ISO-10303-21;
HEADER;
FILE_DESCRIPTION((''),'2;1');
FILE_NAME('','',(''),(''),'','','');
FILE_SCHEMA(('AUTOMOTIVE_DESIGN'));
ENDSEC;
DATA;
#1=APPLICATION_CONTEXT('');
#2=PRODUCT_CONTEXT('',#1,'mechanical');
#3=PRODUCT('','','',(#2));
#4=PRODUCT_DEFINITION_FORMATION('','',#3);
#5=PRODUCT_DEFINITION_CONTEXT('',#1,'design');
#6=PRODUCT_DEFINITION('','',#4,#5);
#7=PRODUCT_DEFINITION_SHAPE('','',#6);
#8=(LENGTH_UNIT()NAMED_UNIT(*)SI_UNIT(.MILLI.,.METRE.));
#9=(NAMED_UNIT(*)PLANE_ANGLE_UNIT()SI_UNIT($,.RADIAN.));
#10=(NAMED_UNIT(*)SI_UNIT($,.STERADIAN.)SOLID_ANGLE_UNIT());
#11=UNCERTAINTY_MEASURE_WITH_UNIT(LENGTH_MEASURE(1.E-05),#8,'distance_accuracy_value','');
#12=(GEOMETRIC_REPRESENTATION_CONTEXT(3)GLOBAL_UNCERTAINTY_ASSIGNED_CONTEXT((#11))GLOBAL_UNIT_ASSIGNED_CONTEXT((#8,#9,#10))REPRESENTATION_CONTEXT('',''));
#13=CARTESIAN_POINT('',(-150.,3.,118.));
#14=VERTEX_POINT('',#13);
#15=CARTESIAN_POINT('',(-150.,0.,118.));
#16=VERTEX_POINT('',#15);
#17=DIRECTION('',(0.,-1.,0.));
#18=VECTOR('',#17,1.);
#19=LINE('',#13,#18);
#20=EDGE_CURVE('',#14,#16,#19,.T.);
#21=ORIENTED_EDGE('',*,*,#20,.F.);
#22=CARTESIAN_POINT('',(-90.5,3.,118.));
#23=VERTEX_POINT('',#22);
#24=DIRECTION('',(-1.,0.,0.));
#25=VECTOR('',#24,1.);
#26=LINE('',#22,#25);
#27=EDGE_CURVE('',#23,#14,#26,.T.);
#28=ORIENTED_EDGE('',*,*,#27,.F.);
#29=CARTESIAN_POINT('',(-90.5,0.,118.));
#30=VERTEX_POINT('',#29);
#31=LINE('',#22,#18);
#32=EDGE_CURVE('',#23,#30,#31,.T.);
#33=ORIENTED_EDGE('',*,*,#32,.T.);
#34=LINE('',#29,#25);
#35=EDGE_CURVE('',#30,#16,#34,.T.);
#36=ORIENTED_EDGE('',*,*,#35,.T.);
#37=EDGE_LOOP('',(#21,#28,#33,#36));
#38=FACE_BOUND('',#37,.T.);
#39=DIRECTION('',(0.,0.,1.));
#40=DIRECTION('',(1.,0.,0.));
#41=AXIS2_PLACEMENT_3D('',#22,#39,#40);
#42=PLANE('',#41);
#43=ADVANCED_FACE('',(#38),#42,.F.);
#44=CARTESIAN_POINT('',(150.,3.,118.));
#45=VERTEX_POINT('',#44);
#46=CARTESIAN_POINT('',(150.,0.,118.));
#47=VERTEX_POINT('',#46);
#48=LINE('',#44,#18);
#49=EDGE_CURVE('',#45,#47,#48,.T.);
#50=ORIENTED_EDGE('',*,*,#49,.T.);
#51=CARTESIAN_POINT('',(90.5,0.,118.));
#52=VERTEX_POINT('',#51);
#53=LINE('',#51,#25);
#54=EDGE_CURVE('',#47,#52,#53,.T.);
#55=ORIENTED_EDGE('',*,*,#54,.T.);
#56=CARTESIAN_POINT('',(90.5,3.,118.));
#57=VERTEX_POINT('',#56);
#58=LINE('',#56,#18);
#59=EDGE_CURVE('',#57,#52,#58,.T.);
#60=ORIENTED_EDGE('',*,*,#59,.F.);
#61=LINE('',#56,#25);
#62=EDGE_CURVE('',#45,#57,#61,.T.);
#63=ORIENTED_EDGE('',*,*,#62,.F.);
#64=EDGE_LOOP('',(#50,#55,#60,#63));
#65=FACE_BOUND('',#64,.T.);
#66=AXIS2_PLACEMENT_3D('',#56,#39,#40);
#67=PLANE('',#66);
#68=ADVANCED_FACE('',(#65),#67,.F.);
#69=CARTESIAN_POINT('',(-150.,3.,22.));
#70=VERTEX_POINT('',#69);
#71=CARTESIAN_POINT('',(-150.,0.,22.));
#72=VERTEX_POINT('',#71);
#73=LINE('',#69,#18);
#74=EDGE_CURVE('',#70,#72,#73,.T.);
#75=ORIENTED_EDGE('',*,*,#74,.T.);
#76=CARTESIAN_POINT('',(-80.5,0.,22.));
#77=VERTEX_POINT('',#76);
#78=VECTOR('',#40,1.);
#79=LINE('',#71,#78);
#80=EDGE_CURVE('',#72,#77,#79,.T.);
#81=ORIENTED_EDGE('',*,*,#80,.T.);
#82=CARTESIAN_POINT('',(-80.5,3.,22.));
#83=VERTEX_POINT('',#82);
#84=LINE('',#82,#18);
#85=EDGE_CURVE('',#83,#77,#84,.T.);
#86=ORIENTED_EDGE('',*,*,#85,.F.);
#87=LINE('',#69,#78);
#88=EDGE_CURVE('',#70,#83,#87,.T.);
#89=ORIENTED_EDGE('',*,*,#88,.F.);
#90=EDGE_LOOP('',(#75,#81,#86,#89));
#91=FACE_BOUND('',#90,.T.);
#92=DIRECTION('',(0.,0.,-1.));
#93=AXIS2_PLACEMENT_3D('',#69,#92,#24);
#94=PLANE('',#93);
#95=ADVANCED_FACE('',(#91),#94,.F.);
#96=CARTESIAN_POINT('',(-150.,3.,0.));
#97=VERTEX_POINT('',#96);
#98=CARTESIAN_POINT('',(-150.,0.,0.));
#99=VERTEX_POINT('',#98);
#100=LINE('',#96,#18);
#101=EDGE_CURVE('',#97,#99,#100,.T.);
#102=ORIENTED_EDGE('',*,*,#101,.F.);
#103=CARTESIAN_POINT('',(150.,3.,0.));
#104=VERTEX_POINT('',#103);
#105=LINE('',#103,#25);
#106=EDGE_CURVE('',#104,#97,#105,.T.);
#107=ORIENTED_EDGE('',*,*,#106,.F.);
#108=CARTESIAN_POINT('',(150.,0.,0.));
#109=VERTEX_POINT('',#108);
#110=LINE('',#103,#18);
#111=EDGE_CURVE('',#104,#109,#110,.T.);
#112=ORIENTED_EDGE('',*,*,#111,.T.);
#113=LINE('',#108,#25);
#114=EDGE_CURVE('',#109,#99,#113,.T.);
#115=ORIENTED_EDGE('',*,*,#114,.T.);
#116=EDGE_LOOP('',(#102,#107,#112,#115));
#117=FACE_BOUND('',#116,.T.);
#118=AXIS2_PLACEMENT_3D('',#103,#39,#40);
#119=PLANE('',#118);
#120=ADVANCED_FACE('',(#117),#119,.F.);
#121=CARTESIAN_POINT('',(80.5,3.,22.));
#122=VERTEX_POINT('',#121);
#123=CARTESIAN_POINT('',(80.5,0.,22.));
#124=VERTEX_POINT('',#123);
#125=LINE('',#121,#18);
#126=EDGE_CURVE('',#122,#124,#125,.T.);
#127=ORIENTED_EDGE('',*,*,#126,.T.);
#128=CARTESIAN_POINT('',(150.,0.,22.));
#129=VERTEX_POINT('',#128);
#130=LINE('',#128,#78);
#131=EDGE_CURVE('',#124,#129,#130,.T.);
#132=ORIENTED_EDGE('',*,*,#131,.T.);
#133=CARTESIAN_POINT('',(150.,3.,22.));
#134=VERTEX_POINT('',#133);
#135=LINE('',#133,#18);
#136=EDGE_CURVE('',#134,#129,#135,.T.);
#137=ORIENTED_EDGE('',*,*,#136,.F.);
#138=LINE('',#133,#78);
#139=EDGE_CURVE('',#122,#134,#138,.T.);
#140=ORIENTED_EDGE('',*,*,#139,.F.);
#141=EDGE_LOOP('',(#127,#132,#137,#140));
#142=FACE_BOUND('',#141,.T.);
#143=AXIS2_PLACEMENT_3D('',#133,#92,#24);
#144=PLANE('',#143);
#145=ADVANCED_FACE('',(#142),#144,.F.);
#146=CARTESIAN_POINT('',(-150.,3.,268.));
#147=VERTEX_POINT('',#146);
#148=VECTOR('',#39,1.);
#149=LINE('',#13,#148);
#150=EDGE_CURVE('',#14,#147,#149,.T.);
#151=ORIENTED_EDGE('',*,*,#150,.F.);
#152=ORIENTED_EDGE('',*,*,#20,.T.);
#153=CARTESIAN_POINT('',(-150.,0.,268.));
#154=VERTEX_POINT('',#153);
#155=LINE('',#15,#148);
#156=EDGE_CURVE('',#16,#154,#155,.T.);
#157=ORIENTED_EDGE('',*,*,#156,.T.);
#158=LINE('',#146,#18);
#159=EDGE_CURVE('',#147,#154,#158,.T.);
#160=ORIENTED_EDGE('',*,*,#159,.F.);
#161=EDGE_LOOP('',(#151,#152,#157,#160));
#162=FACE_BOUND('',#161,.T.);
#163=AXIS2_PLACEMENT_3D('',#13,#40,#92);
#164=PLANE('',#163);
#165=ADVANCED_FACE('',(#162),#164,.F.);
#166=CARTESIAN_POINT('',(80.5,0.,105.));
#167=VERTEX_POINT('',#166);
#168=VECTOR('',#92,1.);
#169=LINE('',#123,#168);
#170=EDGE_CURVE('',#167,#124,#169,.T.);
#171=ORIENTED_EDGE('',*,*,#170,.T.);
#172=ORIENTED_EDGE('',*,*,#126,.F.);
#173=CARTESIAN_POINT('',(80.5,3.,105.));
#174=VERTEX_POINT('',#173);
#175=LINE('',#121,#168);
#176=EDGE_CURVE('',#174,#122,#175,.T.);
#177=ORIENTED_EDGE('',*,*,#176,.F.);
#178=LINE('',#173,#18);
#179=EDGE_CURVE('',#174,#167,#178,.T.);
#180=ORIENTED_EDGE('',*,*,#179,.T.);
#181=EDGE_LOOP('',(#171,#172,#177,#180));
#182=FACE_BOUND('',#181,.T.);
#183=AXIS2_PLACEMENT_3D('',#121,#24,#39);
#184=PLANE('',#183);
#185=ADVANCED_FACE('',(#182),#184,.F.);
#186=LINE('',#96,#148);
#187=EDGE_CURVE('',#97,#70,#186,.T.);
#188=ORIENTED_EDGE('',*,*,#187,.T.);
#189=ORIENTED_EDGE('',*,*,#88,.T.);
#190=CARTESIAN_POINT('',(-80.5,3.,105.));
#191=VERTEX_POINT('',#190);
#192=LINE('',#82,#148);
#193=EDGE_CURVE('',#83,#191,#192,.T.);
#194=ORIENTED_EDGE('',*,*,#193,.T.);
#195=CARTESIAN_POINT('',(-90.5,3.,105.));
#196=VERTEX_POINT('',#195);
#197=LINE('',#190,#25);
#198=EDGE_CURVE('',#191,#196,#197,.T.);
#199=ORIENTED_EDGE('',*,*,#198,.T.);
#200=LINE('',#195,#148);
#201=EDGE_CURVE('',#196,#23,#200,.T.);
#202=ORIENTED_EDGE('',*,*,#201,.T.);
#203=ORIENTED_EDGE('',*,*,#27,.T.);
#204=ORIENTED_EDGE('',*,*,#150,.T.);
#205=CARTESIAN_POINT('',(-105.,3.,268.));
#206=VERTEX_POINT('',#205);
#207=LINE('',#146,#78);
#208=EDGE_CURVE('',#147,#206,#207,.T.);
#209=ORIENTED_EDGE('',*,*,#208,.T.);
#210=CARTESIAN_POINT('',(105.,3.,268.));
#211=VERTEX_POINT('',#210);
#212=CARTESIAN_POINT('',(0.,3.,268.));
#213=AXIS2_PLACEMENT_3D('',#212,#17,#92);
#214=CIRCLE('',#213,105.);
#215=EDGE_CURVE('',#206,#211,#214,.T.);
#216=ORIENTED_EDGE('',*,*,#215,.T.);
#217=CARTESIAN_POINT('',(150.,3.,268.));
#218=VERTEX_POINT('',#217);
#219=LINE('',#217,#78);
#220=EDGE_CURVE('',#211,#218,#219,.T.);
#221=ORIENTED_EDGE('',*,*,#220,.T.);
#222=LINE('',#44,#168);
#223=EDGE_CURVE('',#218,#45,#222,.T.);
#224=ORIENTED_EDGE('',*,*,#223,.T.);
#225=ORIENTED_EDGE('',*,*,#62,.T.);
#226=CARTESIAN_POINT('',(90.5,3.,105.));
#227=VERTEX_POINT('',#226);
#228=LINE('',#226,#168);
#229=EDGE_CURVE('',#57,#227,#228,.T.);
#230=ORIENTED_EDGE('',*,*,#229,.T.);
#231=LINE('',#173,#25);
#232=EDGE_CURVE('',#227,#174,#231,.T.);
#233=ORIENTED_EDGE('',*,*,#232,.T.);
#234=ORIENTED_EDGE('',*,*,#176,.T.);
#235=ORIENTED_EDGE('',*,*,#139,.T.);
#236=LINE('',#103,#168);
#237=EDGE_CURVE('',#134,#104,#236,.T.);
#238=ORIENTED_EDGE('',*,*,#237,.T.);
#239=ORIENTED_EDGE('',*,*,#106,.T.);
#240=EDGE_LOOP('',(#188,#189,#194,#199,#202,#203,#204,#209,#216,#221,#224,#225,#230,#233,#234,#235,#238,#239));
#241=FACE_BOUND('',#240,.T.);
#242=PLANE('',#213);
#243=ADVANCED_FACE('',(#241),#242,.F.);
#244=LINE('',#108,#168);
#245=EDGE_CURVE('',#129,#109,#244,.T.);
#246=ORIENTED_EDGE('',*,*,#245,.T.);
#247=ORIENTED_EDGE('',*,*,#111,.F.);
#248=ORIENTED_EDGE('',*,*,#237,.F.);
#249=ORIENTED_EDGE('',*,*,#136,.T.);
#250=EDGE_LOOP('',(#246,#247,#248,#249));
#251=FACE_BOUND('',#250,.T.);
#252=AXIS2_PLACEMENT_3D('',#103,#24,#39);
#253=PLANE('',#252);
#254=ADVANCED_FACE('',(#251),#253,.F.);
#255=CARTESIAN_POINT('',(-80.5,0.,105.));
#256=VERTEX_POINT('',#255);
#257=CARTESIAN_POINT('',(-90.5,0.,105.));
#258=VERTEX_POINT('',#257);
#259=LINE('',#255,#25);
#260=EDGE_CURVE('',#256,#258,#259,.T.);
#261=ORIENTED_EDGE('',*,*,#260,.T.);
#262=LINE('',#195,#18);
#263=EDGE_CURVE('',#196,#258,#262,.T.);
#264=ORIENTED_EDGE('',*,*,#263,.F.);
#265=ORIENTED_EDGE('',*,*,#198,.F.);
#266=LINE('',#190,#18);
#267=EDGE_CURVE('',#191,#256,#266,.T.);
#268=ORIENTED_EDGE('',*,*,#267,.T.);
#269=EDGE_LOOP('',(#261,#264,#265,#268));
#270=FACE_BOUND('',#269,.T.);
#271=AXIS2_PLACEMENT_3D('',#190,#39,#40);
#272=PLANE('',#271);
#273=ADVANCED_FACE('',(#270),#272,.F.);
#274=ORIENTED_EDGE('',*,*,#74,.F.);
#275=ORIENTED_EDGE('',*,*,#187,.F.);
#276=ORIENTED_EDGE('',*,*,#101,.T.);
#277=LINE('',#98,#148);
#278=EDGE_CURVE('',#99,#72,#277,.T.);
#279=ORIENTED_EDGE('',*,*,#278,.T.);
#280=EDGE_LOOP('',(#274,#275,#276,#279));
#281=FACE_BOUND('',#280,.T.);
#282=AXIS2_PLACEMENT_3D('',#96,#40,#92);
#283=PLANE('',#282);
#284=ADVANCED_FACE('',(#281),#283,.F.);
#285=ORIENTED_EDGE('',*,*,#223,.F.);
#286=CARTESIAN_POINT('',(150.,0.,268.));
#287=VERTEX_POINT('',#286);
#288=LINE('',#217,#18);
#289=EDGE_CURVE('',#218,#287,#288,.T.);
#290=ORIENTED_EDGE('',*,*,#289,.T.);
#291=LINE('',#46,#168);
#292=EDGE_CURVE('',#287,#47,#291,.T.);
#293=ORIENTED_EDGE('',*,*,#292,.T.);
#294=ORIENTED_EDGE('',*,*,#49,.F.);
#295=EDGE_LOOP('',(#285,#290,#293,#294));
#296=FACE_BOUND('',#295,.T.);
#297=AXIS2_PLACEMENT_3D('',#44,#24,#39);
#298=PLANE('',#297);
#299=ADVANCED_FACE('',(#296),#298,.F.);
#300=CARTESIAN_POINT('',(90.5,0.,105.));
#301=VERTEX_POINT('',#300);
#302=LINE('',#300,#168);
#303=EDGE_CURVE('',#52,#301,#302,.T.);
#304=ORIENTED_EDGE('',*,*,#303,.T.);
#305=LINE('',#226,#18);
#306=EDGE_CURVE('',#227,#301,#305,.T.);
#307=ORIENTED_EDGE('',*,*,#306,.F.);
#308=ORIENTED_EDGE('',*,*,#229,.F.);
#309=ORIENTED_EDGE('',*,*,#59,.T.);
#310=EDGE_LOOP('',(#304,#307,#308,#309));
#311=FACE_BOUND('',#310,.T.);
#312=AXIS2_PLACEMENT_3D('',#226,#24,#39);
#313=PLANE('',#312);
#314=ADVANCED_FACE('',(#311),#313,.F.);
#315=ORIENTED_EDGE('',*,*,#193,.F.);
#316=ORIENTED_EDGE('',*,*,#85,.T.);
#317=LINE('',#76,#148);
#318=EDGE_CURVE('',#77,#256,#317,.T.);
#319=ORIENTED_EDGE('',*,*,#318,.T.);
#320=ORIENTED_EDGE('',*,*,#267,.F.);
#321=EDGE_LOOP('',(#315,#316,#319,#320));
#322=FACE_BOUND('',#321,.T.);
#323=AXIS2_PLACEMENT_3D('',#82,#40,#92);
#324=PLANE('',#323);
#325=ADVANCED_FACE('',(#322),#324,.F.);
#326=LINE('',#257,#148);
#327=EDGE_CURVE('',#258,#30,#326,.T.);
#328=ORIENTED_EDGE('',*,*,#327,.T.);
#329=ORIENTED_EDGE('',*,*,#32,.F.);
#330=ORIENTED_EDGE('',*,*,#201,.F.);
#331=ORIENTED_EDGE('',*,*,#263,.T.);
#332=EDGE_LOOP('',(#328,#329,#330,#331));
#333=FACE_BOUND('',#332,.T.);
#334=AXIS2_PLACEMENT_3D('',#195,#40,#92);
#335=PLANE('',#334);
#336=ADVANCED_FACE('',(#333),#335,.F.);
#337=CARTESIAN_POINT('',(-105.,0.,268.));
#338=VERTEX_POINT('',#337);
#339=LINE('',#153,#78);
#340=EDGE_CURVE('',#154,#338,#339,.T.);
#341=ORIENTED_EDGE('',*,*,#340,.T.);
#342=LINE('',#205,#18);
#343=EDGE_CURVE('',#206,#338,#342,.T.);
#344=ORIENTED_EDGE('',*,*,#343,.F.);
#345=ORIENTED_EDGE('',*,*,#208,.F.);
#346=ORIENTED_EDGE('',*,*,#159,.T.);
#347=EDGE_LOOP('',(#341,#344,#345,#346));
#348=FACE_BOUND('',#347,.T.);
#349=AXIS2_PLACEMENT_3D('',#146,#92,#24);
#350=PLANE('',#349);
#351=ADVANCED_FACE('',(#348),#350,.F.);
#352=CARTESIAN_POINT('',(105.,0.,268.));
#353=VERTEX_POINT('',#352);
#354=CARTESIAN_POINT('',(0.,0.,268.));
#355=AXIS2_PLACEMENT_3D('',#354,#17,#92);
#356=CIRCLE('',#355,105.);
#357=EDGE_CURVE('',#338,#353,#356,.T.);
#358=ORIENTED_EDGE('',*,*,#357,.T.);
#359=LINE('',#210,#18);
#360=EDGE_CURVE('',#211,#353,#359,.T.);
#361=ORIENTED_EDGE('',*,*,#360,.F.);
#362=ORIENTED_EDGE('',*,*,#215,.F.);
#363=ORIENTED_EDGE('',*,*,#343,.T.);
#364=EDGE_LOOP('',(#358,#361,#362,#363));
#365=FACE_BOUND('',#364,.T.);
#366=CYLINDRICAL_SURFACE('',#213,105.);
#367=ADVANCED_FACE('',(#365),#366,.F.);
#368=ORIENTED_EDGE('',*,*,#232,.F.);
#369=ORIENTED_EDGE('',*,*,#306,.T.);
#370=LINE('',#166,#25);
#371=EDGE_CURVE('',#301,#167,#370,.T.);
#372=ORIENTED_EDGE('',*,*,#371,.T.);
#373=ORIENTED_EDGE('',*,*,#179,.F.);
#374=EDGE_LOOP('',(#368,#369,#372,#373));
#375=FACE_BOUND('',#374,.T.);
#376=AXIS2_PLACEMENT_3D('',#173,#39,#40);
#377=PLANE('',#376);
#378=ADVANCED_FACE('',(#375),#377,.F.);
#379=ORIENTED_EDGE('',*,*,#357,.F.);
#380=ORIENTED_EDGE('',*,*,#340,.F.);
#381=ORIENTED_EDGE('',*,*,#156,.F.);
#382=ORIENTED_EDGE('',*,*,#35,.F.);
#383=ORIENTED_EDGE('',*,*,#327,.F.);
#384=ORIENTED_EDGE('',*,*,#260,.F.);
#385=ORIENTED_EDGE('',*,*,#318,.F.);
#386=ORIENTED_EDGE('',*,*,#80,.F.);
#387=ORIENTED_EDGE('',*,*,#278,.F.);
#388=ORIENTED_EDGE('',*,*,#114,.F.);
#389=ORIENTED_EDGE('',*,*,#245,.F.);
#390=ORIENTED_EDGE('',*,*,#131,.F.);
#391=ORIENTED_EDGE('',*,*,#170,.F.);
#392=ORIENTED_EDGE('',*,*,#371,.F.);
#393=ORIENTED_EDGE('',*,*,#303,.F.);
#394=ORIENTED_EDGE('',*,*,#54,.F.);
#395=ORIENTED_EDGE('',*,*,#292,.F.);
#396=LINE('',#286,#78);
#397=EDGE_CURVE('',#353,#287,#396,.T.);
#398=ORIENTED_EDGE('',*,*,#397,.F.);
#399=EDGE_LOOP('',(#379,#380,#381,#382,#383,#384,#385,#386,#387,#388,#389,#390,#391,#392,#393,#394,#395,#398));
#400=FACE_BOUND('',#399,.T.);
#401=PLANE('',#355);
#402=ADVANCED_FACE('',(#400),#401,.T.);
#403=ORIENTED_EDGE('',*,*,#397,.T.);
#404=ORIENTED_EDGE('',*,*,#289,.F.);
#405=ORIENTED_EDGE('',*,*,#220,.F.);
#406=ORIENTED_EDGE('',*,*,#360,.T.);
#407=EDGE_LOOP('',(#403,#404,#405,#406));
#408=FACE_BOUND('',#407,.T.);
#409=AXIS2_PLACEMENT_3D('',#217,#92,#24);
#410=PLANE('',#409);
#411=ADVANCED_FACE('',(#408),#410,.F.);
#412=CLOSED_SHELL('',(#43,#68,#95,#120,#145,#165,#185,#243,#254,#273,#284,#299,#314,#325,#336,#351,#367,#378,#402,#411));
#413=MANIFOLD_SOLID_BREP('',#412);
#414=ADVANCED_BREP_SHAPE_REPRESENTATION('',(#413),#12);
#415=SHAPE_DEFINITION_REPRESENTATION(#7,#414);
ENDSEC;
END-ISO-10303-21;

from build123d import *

# Parameters (mm, degrees)
EXTRUSION1_DEPTH = 3


with BuildPart() as part:
    # Esquisse1 → Extrusion1 (new body)
    with BuildSketch(Plane(origin=(0, 0, 0), x_dir=(1, 0, 0), z_dir=(0, 1, 0))):
        with BuildLine():
            Line((150, 0), (-150, 0))
            Line((-150, 0), (-150, -22))
            Line((-150, -22), (-80.5, -22))
            Line((-80.5, -22), (-80.5, -105))
            Line((-80.5, -105), (-90.5, -105))
            Line((-90.5, -105), (-90.5, -118))
            Line((-90.5, -118), (-150, -118))
            Line((-150, -118), (-150, -268))
            Line((-150, -268), (-105, -268))
            ThreePointArc((-105, -268), (0, -163), (105, -268))
            Line((105, -268), (150, -268))
            Line((150, -268), (150, -118))
            Line((150, -118), (90.5, -118))
            Line((90.5, -118), (90.5, -105))
            Line((90.5, -105), (80.5, -105))
            Line((80.5, -105), (80.5, -22))
            Line((80.5, -22), (150, -22))
            Line((150, -22), (150, 0))
        make_face()
    extrude(amount=EXTRUSION1_DEPTH)


solid = part.part
